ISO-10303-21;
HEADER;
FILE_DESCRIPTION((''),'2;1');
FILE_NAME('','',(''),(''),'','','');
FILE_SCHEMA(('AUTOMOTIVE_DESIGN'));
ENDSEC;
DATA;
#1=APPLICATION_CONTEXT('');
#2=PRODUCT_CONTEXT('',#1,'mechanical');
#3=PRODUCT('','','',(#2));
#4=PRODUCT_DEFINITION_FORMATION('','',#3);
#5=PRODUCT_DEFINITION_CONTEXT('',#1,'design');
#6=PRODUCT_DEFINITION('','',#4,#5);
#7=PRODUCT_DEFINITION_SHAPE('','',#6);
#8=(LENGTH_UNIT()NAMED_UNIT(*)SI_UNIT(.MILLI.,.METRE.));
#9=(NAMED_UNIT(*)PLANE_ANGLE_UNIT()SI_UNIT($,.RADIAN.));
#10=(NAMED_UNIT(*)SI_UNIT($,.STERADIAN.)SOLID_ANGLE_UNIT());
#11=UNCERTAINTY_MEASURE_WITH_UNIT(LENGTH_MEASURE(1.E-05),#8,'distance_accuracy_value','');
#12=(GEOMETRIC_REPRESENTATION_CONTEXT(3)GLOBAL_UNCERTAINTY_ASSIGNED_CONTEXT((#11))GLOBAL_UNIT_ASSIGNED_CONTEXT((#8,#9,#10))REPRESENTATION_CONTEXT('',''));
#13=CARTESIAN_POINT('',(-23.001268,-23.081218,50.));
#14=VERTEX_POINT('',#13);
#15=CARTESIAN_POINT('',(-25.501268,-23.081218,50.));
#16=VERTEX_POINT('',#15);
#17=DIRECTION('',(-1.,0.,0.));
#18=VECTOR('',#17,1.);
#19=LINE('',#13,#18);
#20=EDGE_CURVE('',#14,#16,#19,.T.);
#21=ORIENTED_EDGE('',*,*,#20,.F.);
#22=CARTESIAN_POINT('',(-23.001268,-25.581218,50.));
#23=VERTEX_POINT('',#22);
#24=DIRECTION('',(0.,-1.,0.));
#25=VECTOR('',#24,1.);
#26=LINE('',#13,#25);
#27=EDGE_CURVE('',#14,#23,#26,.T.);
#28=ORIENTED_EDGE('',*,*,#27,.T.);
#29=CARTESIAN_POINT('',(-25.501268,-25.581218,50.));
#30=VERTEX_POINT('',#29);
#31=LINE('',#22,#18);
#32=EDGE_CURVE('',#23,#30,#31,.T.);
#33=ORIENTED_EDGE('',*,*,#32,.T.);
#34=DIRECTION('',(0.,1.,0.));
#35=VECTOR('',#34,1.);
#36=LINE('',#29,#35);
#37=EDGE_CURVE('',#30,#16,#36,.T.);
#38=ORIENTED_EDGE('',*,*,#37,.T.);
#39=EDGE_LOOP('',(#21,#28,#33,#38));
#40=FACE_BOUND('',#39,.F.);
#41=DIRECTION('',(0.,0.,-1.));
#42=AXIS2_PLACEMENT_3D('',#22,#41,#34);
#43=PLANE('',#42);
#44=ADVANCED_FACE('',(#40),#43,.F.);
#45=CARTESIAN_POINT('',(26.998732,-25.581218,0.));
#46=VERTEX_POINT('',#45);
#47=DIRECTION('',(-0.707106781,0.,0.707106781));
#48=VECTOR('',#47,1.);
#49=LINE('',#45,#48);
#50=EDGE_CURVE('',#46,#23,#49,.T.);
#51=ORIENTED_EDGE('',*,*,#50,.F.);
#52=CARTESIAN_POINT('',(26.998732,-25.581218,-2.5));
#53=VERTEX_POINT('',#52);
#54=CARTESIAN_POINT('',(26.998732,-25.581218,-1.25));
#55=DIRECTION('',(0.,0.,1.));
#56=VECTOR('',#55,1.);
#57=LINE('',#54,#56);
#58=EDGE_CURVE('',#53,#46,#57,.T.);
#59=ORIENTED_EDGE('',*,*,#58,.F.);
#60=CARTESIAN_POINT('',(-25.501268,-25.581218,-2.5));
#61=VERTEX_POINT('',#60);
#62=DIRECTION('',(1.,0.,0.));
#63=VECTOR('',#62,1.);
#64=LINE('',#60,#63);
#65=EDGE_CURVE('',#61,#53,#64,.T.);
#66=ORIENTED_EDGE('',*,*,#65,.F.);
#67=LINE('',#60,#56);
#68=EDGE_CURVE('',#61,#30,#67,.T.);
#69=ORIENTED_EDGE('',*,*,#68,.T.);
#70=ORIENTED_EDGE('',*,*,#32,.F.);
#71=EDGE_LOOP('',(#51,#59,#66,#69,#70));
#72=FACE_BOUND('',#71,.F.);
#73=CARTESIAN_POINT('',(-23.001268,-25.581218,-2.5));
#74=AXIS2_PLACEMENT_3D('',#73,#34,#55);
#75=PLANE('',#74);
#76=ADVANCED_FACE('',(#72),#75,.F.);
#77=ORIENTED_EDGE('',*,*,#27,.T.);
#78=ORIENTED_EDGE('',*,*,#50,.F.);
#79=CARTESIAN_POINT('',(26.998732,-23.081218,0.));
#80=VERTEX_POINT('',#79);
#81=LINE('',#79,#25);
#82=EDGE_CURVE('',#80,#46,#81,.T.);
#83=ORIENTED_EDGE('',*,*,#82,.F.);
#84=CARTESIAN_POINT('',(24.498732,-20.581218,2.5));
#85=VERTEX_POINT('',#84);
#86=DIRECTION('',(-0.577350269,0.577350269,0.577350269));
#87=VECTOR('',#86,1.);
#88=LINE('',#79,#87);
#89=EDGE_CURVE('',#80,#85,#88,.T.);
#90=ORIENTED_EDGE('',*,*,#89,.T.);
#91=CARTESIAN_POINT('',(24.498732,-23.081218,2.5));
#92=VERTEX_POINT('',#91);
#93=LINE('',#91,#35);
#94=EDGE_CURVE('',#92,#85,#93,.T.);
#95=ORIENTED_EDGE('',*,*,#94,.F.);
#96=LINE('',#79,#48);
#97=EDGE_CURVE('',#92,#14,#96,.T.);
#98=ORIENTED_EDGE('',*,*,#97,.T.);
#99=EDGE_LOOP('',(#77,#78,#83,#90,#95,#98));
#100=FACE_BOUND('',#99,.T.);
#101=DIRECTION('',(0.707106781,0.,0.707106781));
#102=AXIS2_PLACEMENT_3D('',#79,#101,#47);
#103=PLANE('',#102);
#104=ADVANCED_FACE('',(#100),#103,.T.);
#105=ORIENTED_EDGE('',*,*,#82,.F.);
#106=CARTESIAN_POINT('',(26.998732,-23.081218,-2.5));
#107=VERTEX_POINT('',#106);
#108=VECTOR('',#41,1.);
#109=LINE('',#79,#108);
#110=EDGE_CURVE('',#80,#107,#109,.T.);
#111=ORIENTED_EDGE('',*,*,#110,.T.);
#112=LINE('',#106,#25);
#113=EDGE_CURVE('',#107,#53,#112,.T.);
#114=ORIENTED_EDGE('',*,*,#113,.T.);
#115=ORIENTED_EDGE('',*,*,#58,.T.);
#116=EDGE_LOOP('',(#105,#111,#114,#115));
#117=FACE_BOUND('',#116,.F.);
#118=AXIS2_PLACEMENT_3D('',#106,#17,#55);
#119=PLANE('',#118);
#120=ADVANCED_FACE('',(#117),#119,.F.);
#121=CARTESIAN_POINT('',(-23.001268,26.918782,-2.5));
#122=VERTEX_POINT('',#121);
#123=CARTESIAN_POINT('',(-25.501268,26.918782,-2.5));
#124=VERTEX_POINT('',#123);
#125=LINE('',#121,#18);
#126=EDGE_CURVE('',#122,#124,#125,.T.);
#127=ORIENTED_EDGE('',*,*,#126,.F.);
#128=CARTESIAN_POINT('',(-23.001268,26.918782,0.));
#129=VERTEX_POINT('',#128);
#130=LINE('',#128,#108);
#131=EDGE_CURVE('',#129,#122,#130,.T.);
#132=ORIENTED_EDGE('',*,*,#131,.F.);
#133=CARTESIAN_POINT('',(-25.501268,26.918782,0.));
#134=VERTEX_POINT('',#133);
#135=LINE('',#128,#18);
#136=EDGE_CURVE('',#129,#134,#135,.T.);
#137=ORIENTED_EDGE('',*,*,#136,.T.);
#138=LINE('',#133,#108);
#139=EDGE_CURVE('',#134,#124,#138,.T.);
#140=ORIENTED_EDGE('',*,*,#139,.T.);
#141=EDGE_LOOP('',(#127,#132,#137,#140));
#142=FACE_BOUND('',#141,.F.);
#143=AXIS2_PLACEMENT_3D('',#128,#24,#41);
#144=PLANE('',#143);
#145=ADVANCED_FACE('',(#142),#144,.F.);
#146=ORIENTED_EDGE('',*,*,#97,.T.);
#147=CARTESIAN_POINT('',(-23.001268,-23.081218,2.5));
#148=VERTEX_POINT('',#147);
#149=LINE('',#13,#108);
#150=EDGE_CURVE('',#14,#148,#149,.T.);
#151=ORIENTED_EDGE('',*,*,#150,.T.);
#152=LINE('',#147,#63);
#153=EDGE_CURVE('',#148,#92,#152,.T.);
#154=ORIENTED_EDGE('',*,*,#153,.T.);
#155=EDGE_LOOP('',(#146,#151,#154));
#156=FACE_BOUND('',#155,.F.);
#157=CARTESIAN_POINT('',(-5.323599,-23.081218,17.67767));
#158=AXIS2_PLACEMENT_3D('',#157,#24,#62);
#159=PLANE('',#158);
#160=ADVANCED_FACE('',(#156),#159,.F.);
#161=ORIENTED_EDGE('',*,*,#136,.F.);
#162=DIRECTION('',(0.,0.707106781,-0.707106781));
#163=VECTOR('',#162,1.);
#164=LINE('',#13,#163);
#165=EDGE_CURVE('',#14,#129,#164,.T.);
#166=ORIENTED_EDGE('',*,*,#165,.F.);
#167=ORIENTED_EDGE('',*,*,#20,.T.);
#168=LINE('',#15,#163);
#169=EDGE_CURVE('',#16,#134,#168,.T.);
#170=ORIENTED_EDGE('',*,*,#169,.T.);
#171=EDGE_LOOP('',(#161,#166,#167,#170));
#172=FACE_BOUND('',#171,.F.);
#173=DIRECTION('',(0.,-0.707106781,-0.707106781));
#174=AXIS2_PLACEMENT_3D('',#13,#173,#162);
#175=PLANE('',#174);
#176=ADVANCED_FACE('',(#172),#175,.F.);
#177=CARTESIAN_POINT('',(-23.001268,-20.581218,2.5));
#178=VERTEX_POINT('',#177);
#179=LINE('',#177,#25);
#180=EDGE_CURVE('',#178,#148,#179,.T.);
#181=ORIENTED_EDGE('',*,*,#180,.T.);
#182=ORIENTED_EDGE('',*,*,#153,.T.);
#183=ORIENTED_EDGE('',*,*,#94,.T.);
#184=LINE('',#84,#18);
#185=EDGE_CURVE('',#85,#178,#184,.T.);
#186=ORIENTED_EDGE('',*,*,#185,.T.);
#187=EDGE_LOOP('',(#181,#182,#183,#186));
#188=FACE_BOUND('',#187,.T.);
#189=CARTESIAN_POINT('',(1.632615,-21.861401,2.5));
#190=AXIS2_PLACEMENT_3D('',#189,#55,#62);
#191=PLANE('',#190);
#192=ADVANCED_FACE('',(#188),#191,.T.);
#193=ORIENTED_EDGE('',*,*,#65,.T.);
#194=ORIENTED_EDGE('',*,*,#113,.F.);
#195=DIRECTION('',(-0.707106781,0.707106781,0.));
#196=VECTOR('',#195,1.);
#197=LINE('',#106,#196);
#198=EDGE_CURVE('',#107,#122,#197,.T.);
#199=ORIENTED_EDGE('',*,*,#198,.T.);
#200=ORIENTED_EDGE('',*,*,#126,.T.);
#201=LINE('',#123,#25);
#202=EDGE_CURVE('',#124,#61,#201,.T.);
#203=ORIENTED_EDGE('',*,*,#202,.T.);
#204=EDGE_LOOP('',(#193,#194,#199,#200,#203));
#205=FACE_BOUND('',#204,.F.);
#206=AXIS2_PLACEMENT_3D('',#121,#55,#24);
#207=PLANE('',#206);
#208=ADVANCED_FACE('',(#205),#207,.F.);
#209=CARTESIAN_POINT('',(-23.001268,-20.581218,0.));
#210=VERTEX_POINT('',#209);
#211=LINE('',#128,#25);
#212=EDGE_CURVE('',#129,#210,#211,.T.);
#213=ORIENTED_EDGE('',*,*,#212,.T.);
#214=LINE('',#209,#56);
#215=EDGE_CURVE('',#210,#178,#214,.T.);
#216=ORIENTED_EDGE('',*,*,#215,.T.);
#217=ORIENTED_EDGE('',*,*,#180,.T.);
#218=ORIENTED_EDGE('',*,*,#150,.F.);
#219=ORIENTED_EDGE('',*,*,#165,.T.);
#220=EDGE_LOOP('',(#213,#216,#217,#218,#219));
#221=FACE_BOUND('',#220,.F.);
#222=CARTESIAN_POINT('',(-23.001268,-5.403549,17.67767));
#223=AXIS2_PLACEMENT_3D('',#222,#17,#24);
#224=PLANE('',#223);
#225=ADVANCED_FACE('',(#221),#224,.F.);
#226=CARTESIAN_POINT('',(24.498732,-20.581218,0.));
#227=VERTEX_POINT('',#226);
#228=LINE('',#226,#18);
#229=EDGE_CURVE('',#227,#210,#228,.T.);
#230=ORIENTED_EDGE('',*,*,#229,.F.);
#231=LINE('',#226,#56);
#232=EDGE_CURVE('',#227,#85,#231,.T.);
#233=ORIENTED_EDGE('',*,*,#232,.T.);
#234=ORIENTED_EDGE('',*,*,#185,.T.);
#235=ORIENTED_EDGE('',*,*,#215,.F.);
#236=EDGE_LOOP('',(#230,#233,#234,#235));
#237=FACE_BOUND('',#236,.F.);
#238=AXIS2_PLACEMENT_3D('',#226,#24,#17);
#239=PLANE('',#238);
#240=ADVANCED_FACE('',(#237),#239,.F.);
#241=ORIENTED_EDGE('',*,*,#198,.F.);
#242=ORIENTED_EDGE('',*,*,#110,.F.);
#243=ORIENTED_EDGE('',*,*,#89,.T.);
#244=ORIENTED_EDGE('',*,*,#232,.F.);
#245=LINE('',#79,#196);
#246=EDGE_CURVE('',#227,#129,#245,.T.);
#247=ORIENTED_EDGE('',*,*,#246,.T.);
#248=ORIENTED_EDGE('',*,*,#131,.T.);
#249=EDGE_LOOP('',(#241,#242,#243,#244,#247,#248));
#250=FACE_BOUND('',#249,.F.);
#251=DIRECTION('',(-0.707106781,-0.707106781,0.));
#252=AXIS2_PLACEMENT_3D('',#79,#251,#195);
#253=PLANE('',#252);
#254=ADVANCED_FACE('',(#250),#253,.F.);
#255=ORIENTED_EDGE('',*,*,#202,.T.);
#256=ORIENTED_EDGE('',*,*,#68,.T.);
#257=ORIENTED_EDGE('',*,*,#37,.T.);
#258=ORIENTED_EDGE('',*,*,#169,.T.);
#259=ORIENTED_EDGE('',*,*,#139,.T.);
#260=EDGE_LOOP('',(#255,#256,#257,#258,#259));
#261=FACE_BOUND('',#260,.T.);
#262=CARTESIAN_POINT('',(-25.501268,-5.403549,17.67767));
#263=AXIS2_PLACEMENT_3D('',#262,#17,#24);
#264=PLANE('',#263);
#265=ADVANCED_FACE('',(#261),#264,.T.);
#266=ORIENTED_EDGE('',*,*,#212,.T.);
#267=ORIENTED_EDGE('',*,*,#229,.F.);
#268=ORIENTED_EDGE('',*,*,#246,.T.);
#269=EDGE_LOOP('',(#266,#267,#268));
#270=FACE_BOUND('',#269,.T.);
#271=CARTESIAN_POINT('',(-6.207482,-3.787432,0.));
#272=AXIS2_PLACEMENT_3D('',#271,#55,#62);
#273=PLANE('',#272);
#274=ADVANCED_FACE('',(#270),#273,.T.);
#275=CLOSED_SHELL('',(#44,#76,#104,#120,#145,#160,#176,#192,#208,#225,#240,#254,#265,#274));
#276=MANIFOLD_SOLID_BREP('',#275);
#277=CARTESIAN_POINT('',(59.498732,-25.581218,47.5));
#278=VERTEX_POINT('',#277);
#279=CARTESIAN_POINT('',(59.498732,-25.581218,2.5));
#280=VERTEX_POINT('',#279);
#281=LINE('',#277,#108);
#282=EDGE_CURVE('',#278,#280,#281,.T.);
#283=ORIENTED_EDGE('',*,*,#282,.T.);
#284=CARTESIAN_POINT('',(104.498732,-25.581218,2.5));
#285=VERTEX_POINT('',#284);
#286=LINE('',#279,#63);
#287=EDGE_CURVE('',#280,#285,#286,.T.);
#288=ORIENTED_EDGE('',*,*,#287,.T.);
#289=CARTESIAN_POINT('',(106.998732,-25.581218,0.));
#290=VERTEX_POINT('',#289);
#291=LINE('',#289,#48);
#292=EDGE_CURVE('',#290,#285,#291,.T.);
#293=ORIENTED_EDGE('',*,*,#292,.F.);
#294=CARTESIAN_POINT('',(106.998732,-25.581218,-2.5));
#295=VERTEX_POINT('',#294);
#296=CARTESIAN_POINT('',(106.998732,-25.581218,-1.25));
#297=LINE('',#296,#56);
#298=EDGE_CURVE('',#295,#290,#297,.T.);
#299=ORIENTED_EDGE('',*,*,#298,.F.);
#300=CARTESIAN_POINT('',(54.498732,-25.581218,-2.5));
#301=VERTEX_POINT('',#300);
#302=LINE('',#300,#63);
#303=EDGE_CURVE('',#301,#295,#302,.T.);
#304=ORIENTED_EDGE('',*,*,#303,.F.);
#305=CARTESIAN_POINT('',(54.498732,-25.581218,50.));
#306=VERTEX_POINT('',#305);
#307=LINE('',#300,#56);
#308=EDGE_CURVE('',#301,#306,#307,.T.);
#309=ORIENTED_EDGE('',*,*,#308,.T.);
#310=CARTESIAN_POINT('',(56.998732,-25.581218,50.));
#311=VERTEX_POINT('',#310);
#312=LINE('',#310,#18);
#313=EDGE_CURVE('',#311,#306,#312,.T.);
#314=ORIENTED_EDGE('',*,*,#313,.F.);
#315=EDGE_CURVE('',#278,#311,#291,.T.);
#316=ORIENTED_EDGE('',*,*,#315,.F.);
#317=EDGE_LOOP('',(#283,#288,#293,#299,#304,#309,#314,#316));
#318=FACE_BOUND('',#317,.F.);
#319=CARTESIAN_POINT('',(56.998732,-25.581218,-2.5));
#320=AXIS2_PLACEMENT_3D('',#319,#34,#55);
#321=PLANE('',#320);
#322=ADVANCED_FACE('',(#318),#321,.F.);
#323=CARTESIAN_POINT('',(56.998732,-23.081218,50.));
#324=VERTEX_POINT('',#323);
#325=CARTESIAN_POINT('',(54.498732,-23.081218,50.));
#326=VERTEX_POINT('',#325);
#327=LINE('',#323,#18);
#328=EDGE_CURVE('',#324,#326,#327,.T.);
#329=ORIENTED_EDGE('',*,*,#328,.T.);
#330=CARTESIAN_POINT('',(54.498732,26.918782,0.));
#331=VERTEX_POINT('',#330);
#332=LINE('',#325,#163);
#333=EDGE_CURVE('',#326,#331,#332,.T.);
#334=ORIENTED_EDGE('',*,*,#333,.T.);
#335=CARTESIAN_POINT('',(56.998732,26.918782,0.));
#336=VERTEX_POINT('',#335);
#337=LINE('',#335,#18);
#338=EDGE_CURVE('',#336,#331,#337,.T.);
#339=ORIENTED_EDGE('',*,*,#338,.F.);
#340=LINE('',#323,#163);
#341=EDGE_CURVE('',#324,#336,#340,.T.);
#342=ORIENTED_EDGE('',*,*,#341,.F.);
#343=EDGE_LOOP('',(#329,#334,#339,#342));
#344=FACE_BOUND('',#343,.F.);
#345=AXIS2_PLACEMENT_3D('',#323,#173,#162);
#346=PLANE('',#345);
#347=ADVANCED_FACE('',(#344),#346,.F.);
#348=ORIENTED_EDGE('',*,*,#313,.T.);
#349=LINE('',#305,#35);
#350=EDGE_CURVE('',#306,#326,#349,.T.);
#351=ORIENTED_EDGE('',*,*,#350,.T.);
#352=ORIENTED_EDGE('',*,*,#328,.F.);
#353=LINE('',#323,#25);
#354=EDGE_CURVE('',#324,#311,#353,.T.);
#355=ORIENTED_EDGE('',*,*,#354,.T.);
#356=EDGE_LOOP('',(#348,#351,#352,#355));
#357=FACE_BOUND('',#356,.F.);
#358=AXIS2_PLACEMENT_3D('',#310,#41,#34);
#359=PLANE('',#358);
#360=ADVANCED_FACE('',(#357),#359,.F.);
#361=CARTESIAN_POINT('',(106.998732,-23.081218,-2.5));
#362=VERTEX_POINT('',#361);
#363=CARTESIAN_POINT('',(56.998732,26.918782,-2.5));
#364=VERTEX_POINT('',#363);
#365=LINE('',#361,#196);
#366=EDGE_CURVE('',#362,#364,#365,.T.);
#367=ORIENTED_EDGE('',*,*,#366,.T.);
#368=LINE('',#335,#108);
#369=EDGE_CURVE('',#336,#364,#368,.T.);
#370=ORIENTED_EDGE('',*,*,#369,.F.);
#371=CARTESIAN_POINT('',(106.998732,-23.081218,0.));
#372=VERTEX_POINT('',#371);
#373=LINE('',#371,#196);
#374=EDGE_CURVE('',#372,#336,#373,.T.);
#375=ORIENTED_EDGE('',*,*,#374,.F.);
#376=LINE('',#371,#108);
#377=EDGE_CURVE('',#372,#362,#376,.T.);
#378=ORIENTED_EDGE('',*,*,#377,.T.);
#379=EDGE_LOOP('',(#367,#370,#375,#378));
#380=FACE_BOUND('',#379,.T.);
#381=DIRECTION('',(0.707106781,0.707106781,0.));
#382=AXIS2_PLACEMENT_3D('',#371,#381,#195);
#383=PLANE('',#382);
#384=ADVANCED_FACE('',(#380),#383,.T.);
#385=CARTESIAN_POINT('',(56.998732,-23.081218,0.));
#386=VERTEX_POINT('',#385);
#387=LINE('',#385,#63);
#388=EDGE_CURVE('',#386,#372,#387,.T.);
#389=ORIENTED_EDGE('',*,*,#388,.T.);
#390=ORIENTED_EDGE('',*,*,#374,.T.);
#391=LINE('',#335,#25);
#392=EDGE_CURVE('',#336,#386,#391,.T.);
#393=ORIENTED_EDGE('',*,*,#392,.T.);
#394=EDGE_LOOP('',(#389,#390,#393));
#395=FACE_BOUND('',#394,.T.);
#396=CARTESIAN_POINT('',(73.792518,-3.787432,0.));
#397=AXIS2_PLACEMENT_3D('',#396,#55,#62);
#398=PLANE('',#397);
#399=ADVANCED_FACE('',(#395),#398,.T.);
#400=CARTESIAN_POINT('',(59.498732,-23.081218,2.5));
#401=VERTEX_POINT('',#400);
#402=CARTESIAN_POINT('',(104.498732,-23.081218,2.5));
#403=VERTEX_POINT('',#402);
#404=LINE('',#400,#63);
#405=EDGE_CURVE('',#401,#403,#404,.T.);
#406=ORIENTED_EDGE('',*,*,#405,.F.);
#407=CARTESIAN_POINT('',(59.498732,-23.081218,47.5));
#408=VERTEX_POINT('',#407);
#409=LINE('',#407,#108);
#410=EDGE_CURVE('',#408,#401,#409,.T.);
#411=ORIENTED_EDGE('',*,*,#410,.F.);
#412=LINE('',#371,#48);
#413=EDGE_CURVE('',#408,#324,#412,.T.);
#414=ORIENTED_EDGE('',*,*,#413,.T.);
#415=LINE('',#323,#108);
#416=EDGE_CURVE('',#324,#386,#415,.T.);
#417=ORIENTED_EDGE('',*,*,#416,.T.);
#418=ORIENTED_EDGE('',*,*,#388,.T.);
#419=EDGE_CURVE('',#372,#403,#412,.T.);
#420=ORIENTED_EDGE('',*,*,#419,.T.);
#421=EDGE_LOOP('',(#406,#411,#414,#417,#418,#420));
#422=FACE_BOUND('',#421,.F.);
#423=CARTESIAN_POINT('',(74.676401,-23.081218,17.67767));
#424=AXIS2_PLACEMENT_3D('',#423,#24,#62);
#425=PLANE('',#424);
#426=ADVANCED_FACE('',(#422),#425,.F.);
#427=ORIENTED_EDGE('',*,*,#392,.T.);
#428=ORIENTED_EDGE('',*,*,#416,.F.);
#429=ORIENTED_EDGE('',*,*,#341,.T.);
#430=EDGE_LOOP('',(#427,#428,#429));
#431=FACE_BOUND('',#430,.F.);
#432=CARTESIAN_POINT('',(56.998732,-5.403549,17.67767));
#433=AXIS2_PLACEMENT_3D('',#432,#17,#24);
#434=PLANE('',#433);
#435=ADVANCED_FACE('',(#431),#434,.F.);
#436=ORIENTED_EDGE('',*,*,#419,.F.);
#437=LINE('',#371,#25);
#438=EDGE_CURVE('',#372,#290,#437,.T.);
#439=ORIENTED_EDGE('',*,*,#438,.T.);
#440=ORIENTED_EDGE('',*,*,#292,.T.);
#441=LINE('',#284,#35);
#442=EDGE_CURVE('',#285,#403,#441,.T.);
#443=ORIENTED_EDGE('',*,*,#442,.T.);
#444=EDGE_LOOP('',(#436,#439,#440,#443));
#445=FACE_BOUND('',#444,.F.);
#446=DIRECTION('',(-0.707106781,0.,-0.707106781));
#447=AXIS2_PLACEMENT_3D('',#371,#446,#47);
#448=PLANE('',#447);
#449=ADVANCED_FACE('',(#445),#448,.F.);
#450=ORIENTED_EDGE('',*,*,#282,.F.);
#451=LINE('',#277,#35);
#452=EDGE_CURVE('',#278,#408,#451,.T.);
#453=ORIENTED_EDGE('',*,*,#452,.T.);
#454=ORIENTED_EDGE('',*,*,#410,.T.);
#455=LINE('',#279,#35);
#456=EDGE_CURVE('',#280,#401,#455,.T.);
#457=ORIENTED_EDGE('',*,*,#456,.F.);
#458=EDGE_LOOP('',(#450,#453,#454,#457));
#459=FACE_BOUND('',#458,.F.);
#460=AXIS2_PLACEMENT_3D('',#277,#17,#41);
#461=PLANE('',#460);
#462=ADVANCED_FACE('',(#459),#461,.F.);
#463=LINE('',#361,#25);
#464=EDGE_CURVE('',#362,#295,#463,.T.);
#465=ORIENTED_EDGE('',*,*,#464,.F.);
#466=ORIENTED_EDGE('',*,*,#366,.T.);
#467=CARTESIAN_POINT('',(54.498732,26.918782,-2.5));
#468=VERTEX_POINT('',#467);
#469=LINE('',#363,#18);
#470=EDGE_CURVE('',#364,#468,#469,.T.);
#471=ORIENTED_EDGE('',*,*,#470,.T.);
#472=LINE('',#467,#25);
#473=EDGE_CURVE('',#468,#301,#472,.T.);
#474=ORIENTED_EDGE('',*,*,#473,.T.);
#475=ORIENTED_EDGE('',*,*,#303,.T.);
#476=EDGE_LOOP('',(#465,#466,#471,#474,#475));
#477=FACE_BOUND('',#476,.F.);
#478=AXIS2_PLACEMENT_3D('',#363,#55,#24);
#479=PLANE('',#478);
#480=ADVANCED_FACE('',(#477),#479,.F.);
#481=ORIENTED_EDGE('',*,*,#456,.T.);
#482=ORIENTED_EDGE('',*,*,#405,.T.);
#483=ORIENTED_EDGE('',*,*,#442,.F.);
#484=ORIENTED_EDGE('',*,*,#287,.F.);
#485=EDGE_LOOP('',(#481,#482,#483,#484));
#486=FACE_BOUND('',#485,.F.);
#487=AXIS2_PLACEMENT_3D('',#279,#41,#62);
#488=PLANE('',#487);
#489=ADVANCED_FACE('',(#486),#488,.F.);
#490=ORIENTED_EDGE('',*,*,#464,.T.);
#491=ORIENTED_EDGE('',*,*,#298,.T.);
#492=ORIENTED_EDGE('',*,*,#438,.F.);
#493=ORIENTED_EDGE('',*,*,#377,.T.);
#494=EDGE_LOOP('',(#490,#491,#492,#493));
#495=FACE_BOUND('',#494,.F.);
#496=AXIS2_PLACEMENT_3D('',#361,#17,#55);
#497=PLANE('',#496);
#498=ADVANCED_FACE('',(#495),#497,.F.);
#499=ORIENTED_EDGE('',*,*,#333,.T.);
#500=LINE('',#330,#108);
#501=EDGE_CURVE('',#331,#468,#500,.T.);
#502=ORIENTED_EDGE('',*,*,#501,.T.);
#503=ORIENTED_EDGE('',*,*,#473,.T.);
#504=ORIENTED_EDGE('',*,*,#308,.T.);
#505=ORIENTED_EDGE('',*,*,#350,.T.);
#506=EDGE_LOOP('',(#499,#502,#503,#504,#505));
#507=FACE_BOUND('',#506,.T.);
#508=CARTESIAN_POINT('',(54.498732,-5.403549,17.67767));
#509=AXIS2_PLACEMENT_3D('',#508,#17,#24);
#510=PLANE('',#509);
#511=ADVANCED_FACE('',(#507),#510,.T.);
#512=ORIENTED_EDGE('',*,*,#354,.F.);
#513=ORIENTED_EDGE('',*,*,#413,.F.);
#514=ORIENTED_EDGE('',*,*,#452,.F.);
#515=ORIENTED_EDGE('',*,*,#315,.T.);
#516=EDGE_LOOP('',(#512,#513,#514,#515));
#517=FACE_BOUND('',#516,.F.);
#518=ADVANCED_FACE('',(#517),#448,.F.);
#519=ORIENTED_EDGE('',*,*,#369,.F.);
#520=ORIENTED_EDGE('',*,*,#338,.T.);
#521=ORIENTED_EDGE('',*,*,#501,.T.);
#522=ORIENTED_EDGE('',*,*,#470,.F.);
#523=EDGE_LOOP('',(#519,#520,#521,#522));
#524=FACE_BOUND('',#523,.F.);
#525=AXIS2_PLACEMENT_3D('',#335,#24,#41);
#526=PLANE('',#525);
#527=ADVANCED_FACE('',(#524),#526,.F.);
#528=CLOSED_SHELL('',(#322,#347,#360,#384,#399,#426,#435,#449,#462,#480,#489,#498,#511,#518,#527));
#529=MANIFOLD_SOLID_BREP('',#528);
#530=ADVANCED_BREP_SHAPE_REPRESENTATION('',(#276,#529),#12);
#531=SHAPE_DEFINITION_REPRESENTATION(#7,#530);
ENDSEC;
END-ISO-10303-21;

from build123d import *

# Parameters (mm, degrees)
F1_DEPTH  = 2.5
F2_W      = 50
F2_H      = 2.5
F3_DEPTH  = 2.5
F5_DEPTH  = 2.5
F8_DEPTH  = 2.5
F9_DEPTH  = 2.5
F10_DEPTH = 2.5


with BuildPart() as f1:
    # F0 (on Top) → F1 (new body)
    with BuildSketch(Plane.XY):
        Polygon((24.4987318665, -20.5812184513), (-23.0012681335, 26.9187815487), (-23.0012681335, -20.5812184513), align=None)
        Polygon((24.4987318665, -20.5812184513), (-23.0012681335, -20.5812184513), (-23.0012681335, -23.0812184513), (26.9987318665, -23.0812184513), align=None)
    extrude(amount=-F1_DEPTH)

    # F2 (on face) → F3 (join)
    with BuildSketch(Plane.XZ.offset(23.0812184513)):
        Polygon((-23.0012681335, 50), (-23.0012681335, 0), (26.9987318665, 0), align=None)
        with Locations((1.9987318665, -1.25)):
            Rectangle(F2_W, F2_H)
    extrude(amount=F3_DEPTH)

    # F4 (on face) → F5 (join)
    with BuildSketch(Plane(origin=(-23.0012681335, 0, 0), x_dir=(0, -1, 0), z_dir=(-1, 0, 0))):
        Polygon((23.0812184513, 50), (-26.9187815487, 0), (23.0812184513, 0), align=None)
        Polygon((23.0812184513, 0), (-26.9187815487, 0), (-26.9187815487, -2.5), (25.5812184513, -2.5), (25.5812184513, 50), (23.0812184513, 50), align=None)
    extrude(amount=F5_DEPTH)


with BuildPart() as f6_1:
    # F6: copy of F1
    add(f1.part.moved(Location((80, 0, 0))))

    # F7 (on face) → F8 (cut)
    with BuildSketch(Plane.XZ.offset(25.5812184513)):
        Polygon((104.4987318665, 2.5), (59.4987318665, 47.5), (59.4987318665, 2.5), align=None)
    extrude(amount=-F8_DEPTH, mode=Mode.SUBTRACT)


with BuildPart() as f1_1:
    add(f1.part)

    # F0 (on Top) → F9 (join)
    with BuildSketch(Plane.XY):
        Polygon((24.4987318665, -20.5812184513), (-23.0012681335, -20.5812184513), (-23.0012681335, -23.0812184513), (26.9987318665, -23.0812184513), align=None)
    extrude(amount=F9_DEPTH)

    # F10 (cut): a face of the model
    f10_faces = [f1_1.faces().sort_by_distance(p)[0] for p in [
        (26.1653985331, -23.0812184513, 1.6666666667),
    ]]
    extrude(f10_faces, amount=-F10_DEPTH, mode=Mode.SUBTRACT)


solid = Compound([f6_1.part, f1_1.part])
